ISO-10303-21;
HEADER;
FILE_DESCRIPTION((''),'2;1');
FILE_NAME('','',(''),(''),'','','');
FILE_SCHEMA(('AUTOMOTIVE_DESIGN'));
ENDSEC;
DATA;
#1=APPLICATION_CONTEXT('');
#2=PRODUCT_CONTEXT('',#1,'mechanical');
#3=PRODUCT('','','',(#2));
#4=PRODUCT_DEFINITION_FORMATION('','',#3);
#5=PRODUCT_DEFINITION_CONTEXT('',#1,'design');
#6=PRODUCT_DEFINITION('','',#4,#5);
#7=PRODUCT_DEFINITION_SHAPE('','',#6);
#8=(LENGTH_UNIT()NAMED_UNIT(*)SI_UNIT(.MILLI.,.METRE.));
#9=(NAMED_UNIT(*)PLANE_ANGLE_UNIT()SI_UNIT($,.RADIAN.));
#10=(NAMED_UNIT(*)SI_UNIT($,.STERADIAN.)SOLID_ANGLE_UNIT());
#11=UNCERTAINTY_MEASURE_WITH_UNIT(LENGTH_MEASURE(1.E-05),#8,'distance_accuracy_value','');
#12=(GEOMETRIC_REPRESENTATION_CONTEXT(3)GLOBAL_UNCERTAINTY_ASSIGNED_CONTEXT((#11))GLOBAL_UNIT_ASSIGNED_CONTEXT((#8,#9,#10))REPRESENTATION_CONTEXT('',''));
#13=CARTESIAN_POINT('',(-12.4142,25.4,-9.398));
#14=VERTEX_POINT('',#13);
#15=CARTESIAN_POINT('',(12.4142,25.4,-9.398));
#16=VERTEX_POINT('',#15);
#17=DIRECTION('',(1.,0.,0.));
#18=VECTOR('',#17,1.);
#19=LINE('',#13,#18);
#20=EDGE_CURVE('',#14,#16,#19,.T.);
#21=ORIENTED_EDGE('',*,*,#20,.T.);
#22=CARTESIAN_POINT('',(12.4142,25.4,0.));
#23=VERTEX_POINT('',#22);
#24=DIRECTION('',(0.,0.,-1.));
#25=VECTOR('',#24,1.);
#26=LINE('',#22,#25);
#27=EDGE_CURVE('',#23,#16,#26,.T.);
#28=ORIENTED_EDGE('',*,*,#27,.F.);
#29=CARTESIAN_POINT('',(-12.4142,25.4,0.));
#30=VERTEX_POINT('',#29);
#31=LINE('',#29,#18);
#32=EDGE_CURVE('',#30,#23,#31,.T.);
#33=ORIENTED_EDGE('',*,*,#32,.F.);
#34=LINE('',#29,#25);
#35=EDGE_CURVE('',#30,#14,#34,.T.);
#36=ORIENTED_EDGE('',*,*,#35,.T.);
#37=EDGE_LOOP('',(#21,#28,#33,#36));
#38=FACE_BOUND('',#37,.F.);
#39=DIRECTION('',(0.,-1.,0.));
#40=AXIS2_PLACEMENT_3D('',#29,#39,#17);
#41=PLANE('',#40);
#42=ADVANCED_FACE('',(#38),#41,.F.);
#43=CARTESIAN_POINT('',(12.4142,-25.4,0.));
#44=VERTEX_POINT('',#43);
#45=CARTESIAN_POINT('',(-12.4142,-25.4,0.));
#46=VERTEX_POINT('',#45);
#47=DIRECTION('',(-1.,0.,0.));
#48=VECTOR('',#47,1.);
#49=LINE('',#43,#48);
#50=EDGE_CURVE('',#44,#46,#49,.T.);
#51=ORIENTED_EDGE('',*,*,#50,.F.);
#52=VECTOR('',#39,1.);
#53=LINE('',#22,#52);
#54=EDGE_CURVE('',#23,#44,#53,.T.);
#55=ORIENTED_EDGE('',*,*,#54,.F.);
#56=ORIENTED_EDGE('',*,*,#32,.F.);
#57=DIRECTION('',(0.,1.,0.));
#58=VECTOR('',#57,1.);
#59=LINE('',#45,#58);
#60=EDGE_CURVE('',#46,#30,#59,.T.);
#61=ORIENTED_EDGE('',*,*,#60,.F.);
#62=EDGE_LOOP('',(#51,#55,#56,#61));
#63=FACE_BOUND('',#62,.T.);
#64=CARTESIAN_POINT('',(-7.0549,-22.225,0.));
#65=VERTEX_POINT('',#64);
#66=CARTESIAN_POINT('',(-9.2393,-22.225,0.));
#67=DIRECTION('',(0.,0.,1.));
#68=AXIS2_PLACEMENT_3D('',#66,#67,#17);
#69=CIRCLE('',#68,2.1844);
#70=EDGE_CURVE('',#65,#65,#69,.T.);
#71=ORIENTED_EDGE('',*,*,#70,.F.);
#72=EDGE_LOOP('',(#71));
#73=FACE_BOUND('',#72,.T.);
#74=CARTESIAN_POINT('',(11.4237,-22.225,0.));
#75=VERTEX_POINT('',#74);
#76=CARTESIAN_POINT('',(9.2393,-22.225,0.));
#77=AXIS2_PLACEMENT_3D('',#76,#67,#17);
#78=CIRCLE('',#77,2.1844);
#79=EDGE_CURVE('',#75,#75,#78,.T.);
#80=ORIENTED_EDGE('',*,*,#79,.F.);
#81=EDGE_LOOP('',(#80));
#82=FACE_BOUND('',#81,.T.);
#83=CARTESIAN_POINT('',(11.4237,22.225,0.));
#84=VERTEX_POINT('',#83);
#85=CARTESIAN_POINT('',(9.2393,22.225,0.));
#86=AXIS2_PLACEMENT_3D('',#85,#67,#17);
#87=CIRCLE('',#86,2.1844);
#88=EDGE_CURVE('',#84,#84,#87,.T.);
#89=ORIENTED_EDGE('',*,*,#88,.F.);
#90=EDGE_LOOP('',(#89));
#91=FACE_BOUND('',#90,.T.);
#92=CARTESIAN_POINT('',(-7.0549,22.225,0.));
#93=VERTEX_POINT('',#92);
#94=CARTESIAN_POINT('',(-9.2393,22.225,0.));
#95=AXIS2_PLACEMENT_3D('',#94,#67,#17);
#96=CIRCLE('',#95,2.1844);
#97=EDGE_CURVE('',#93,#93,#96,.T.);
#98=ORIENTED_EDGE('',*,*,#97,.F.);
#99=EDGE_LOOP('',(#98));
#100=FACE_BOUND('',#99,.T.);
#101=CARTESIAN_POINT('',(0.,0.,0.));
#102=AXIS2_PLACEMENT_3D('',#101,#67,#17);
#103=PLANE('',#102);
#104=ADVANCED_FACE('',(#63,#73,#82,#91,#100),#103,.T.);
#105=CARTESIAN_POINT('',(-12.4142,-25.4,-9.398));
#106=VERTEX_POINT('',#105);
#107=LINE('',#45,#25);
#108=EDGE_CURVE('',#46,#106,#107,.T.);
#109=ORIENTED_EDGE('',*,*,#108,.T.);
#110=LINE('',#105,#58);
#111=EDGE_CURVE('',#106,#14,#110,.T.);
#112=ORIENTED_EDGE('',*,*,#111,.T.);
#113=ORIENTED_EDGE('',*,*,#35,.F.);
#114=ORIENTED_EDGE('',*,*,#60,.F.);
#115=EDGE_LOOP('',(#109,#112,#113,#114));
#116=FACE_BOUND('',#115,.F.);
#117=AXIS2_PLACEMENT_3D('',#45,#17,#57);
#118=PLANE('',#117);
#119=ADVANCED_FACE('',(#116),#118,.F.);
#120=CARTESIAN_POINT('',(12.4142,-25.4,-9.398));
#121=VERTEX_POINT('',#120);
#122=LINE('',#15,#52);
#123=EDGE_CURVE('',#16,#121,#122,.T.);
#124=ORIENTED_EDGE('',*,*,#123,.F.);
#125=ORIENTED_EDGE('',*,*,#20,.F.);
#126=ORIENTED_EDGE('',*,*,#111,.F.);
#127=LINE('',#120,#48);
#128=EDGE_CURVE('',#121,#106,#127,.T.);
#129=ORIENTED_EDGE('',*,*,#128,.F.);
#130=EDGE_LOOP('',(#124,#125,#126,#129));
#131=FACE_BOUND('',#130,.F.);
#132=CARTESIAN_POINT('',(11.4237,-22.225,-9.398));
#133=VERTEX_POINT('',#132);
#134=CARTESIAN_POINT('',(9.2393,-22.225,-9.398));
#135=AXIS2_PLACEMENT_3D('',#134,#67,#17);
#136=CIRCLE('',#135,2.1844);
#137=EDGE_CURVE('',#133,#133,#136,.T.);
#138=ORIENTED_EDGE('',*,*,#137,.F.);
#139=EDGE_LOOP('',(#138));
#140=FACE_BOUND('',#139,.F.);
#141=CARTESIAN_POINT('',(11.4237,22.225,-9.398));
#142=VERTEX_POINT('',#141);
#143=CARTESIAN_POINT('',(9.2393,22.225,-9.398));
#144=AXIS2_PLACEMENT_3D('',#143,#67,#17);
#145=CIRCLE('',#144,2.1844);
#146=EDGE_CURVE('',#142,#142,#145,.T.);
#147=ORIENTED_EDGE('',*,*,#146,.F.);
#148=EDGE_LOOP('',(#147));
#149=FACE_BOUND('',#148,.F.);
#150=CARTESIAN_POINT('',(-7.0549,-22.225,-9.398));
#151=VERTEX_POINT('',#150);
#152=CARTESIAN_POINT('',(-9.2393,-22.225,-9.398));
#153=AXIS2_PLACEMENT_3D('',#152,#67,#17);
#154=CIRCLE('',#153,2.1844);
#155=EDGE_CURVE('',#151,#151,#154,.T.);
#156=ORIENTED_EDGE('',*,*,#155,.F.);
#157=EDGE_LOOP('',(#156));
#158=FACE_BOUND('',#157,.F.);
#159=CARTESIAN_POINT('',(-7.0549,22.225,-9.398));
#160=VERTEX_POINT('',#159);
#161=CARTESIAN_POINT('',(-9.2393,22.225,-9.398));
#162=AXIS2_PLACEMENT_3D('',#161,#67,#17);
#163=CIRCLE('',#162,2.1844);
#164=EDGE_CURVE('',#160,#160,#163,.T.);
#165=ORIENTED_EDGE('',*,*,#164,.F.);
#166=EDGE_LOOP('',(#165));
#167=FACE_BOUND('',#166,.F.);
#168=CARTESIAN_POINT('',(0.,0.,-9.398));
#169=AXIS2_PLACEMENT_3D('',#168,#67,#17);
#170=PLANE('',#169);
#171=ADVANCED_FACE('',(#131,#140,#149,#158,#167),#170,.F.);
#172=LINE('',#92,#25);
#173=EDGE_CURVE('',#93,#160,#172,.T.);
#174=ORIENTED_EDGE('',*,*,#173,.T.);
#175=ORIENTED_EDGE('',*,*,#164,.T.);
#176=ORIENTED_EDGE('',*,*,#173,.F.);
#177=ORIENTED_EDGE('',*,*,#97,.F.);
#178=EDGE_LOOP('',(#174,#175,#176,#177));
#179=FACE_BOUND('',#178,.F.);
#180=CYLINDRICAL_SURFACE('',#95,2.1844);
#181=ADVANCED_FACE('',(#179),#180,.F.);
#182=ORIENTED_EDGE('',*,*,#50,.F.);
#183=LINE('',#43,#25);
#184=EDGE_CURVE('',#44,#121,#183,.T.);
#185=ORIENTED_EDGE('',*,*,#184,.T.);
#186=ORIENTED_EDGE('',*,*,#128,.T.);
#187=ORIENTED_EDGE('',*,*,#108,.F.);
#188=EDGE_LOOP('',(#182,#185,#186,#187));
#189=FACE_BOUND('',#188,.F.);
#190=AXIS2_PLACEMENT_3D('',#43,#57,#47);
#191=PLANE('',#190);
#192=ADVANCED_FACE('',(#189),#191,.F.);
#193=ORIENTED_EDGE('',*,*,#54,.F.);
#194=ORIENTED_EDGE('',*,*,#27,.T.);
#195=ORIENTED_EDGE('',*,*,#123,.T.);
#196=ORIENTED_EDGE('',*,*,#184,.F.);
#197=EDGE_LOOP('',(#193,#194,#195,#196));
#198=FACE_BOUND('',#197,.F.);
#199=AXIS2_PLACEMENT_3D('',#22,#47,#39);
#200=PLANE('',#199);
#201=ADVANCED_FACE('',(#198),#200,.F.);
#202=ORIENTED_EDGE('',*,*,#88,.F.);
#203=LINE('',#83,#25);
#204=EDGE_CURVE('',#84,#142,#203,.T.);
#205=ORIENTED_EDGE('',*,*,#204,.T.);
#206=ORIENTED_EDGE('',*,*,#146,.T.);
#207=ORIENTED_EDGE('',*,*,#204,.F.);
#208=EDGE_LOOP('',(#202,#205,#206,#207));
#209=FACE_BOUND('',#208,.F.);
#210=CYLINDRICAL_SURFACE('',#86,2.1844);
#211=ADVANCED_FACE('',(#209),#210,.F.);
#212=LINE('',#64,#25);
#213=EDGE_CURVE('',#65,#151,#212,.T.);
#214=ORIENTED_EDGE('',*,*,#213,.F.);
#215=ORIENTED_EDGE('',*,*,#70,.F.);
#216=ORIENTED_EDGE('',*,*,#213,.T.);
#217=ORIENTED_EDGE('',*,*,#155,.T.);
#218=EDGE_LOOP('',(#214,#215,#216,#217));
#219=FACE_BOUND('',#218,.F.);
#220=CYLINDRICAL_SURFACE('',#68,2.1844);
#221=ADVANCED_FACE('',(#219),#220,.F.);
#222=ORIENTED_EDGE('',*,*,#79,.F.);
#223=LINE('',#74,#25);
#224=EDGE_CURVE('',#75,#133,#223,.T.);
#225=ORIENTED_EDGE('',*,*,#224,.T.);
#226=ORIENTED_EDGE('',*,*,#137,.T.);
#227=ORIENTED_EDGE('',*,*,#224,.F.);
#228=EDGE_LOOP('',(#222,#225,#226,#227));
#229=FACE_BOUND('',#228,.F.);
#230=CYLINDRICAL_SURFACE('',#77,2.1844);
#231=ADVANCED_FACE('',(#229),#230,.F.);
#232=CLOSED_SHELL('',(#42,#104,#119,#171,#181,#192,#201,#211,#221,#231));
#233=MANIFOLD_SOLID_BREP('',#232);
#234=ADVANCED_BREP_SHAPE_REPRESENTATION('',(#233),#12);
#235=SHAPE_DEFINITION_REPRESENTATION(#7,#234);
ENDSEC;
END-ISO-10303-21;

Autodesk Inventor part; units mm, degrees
ref_plane "YZ Plane" through (0, 0, 0) normal (1, 0, 0) x (0, 1, 0)
ref_plane "XZ Plane" through (0, 0, 0) normal (0, 1, 0) x (-1, 0, 0)
ref_plane "XY Plane" through (0, 0, 0) normal (0, 0, 1) x (1, 0, 0)
sketch "Sketch1" plane through (0, 0, 0) normal (0, 0, 1) x (1, 0, 0)
  line L0 (-12.4142, 25.4) -> (12.4142, 25.4)
  line L1 (12.4142, 25.4) -> (12.4142, -25.4)
  line L2 (12.4142, -25.4) -> (-12.4142, -25.4)
  line L3 (-12.4142, -25.4) -> (-12.4142, 25.4)
  circle A0 centre (-9.2393, 22.225) radius 2.1844
  circle A1 centre (-9.2393, -22.225) radius 2.1844
  circle A2 centre (9.2393, -22.225) radius 2.1844
  circle A3 centre (9.2393, 22.225) radius 2.1844
  point P0 (0, 0)
  point P1 (-12.4143, 0)
  point P2 (0, 25.4)
  dimension "d0" = 24.8285
  dimension "d1" = 50.8
  dimension "d2" = 4.3688
  dimension "d3" = 47.625
  dimension "d4" = 3.175
  dimension "d5" = 4.3688
  dimension "d6" = 4.3688
  dimension "d7" = 4.3688
  dimension "d8" = 3.175
  dimension "d9" = 3.175
extrude "Extrusion1" add sketch "Sketch1" against normal blind 9.398
properties part number "Ch7(5) Part 9 Cover Plate"
